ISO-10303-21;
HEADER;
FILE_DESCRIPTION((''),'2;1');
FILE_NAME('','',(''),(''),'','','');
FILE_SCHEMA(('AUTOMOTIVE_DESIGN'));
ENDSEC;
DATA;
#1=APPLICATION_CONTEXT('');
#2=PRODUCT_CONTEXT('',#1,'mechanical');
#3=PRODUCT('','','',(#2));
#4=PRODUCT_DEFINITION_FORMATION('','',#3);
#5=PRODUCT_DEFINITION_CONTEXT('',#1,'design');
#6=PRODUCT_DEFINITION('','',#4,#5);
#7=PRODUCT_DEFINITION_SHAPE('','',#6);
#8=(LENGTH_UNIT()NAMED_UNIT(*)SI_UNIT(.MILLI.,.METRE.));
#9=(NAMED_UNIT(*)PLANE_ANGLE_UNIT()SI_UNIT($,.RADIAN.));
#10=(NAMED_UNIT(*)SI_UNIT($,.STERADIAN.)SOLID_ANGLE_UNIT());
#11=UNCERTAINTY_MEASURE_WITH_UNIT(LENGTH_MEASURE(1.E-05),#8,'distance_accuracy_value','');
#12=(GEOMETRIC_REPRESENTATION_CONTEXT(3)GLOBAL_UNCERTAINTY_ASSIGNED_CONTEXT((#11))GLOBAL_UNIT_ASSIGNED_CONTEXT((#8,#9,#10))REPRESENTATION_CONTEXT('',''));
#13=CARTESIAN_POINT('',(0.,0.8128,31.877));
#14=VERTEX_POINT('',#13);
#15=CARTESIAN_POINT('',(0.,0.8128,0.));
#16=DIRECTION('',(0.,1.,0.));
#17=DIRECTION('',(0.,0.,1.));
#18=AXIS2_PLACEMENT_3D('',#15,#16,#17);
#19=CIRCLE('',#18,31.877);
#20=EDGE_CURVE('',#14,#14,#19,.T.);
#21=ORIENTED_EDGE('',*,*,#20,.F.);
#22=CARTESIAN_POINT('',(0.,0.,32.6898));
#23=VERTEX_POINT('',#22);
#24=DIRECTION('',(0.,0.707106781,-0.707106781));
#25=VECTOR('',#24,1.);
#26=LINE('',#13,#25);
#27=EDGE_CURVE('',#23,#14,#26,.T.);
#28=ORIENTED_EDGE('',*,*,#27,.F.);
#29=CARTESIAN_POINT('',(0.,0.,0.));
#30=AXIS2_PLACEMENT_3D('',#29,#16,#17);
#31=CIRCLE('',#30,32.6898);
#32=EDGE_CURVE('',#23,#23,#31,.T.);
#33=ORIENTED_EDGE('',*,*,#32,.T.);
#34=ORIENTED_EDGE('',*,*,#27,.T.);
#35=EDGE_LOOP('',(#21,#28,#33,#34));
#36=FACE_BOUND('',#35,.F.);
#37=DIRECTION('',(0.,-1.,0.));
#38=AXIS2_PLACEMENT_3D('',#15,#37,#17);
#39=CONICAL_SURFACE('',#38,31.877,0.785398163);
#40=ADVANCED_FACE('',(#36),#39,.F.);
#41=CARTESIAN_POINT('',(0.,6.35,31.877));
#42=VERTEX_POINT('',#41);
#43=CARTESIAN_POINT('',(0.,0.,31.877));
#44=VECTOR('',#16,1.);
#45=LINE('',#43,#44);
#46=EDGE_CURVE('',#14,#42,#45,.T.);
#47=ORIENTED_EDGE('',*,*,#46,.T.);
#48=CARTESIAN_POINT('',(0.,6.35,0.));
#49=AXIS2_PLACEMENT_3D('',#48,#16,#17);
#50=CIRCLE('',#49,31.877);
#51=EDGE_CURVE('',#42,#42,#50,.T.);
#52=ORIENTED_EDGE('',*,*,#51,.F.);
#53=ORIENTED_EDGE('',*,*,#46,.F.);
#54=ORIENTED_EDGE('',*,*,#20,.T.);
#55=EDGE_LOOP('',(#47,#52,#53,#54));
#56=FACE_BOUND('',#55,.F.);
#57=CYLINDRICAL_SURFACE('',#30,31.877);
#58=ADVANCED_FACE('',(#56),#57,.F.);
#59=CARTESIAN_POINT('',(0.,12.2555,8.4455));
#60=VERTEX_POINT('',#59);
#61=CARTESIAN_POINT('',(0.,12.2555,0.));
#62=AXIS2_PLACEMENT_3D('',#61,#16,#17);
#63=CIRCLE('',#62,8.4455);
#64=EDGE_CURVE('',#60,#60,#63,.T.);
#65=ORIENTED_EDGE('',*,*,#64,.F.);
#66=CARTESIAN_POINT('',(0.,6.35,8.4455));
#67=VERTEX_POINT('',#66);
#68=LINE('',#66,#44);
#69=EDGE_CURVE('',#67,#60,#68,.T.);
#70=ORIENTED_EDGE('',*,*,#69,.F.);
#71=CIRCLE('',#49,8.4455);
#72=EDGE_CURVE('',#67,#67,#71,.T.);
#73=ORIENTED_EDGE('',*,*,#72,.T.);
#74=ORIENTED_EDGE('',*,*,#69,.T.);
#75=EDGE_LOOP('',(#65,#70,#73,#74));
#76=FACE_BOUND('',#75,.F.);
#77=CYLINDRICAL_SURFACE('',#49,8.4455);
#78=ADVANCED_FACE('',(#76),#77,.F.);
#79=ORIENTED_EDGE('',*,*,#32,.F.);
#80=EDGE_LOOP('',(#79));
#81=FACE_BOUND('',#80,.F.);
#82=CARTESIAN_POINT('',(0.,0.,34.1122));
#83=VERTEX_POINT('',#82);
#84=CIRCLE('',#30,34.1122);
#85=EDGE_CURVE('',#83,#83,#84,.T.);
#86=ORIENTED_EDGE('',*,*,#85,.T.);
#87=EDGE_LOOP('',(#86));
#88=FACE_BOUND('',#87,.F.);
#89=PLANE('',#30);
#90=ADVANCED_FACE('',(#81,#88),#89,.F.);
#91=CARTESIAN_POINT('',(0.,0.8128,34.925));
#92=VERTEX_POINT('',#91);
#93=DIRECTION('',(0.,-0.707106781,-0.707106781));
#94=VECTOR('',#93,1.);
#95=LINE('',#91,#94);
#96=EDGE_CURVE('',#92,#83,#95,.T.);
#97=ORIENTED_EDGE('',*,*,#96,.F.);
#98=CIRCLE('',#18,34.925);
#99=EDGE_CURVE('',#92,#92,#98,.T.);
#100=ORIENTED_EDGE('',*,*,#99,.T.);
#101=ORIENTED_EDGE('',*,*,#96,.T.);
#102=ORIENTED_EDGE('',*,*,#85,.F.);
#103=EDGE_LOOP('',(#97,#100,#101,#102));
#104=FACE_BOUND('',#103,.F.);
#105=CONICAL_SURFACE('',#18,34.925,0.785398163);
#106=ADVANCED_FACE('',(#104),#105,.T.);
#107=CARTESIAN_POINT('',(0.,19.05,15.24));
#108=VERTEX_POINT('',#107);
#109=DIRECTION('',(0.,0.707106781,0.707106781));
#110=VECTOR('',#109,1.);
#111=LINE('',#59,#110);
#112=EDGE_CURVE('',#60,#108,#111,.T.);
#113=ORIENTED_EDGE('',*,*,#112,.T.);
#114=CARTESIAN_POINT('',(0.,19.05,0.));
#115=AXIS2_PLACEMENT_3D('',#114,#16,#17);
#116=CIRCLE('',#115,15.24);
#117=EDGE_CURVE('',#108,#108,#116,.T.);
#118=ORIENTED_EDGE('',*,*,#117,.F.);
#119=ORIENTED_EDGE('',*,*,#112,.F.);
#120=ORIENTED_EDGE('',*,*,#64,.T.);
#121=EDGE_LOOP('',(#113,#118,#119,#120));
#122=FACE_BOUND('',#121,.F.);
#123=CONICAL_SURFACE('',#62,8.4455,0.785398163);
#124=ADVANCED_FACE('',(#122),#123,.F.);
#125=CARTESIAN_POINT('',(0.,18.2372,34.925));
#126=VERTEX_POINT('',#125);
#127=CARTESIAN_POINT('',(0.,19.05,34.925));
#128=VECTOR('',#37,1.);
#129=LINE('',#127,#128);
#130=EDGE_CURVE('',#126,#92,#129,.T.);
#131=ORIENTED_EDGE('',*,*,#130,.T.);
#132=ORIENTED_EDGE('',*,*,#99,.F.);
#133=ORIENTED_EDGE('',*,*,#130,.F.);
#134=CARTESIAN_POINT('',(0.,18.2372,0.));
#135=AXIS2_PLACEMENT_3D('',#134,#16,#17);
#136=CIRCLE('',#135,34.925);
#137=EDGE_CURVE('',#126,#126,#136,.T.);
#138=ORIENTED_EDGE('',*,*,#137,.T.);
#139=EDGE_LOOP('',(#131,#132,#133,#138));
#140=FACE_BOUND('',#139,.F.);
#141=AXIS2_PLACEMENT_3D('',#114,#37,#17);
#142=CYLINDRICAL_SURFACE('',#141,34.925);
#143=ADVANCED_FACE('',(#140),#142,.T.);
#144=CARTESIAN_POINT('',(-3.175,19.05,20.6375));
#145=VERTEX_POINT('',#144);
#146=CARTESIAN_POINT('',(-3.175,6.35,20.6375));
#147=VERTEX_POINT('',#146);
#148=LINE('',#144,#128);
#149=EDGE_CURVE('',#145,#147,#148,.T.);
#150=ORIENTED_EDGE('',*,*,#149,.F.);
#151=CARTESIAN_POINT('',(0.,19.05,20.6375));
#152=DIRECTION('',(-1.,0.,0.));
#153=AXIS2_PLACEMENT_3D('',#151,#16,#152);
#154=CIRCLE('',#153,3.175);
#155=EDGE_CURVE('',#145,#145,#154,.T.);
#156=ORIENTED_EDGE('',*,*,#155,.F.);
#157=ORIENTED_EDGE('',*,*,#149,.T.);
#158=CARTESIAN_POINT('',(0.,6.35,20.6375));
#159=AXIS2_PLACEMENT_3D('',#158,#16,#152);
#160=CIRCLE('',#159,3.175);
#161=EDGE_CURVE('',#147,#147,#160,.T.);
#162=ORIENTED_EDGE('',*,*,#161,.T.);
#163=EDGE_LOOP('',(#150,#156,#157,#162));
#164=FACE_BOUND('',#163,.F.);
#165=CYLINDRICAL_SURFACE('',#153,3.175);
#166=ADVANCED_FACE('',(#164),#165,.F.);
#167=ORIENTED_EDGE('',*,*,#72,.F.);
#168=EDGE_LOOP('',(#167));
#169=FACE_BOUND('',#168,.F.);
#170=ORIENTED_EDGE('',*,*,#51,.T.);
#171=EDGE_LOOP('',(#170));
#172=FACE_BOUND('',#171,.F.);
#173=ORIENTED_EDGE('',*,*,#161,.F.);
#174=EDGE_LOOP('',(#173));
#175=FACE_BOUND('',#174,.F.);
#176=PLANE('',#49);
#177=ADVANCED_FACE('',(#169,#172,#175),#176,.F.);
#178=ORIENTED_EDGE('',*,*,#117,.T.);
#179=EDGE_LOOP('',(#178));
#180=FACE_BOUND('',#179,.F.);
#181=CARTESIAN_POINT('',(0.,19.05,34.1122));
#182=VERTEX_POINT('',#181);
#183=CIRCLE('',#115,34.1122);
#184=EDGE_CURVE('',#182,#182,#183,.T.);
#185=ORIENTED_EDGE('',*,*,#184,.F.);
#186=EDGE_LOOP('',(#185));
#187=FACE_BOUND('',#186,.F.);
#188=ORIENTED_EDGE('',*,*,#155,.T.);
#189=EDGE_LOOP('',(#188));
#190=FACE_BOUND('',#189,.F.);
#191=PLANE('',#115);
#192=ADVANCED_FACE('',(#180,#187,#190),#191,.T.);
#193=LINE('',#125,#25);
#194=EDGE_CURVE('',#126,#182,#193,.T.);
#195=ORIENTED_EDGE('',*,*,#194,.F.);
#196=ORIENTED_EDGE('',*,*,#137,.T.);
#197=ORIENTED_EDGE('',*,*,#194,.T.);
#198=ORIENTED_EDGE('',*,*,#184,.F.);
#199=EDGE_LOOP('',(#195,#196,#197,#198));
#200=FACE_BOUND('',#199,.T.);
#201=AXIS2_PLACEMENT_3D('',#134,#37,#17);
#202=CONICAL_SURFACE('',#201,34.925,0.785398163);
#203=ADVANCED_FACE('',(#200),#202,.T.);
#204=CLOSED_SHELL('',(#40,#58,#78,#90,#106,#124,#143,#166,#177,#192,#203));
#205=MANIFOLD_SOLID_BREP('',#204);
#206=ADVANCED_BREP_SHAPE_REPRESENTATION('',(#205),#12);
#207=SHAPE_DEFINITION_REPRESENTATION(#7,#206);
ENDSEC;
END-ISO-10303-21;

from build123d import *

# Parameters (mm, degrees)
F2_SIZE  = 0.8128
F3_R     = 3.175
F4_DEPTH = 25.4


with BuildPart() as f1:
    # F0 (on Right) → F1 (revolve)
    with BuildSketch(Plane.YZ):
        Polygon((19.05, 34.925), (0, 34.925), (0, 31.877), (6.35, 31.877), (6.35, 8.4455), (12.2555, 8.4455), (19.05, 15.24), align=None)
    revolve(axis=Axis((0, 9.525, 0), (0, 1, 0)))

    # F2
    f2_edges = [f1.edges().sort_by_distance(p)[0] for p in [
        (0, 19.05, -34.925),
        (0, 0, -34.925),
        (0, 9.525, 34.925),
        (0, 0, -31.877),
    ]]
    chamfer(f2_edges, length=F2_SIZE)

    # F3 (on face) → F4 (cut)
    with BuildSketch(Plane(origin=(0, 19.05, 0), x_dir=(-1, 0, 0), z_dir=(0, 1, 0))):
        with Locations((0, 20.6375)):
            Circle(F3_R)
    extrude(amount=-F4_DEPTH, mode=Mode.SUBTRACT)


solid = f1.part
